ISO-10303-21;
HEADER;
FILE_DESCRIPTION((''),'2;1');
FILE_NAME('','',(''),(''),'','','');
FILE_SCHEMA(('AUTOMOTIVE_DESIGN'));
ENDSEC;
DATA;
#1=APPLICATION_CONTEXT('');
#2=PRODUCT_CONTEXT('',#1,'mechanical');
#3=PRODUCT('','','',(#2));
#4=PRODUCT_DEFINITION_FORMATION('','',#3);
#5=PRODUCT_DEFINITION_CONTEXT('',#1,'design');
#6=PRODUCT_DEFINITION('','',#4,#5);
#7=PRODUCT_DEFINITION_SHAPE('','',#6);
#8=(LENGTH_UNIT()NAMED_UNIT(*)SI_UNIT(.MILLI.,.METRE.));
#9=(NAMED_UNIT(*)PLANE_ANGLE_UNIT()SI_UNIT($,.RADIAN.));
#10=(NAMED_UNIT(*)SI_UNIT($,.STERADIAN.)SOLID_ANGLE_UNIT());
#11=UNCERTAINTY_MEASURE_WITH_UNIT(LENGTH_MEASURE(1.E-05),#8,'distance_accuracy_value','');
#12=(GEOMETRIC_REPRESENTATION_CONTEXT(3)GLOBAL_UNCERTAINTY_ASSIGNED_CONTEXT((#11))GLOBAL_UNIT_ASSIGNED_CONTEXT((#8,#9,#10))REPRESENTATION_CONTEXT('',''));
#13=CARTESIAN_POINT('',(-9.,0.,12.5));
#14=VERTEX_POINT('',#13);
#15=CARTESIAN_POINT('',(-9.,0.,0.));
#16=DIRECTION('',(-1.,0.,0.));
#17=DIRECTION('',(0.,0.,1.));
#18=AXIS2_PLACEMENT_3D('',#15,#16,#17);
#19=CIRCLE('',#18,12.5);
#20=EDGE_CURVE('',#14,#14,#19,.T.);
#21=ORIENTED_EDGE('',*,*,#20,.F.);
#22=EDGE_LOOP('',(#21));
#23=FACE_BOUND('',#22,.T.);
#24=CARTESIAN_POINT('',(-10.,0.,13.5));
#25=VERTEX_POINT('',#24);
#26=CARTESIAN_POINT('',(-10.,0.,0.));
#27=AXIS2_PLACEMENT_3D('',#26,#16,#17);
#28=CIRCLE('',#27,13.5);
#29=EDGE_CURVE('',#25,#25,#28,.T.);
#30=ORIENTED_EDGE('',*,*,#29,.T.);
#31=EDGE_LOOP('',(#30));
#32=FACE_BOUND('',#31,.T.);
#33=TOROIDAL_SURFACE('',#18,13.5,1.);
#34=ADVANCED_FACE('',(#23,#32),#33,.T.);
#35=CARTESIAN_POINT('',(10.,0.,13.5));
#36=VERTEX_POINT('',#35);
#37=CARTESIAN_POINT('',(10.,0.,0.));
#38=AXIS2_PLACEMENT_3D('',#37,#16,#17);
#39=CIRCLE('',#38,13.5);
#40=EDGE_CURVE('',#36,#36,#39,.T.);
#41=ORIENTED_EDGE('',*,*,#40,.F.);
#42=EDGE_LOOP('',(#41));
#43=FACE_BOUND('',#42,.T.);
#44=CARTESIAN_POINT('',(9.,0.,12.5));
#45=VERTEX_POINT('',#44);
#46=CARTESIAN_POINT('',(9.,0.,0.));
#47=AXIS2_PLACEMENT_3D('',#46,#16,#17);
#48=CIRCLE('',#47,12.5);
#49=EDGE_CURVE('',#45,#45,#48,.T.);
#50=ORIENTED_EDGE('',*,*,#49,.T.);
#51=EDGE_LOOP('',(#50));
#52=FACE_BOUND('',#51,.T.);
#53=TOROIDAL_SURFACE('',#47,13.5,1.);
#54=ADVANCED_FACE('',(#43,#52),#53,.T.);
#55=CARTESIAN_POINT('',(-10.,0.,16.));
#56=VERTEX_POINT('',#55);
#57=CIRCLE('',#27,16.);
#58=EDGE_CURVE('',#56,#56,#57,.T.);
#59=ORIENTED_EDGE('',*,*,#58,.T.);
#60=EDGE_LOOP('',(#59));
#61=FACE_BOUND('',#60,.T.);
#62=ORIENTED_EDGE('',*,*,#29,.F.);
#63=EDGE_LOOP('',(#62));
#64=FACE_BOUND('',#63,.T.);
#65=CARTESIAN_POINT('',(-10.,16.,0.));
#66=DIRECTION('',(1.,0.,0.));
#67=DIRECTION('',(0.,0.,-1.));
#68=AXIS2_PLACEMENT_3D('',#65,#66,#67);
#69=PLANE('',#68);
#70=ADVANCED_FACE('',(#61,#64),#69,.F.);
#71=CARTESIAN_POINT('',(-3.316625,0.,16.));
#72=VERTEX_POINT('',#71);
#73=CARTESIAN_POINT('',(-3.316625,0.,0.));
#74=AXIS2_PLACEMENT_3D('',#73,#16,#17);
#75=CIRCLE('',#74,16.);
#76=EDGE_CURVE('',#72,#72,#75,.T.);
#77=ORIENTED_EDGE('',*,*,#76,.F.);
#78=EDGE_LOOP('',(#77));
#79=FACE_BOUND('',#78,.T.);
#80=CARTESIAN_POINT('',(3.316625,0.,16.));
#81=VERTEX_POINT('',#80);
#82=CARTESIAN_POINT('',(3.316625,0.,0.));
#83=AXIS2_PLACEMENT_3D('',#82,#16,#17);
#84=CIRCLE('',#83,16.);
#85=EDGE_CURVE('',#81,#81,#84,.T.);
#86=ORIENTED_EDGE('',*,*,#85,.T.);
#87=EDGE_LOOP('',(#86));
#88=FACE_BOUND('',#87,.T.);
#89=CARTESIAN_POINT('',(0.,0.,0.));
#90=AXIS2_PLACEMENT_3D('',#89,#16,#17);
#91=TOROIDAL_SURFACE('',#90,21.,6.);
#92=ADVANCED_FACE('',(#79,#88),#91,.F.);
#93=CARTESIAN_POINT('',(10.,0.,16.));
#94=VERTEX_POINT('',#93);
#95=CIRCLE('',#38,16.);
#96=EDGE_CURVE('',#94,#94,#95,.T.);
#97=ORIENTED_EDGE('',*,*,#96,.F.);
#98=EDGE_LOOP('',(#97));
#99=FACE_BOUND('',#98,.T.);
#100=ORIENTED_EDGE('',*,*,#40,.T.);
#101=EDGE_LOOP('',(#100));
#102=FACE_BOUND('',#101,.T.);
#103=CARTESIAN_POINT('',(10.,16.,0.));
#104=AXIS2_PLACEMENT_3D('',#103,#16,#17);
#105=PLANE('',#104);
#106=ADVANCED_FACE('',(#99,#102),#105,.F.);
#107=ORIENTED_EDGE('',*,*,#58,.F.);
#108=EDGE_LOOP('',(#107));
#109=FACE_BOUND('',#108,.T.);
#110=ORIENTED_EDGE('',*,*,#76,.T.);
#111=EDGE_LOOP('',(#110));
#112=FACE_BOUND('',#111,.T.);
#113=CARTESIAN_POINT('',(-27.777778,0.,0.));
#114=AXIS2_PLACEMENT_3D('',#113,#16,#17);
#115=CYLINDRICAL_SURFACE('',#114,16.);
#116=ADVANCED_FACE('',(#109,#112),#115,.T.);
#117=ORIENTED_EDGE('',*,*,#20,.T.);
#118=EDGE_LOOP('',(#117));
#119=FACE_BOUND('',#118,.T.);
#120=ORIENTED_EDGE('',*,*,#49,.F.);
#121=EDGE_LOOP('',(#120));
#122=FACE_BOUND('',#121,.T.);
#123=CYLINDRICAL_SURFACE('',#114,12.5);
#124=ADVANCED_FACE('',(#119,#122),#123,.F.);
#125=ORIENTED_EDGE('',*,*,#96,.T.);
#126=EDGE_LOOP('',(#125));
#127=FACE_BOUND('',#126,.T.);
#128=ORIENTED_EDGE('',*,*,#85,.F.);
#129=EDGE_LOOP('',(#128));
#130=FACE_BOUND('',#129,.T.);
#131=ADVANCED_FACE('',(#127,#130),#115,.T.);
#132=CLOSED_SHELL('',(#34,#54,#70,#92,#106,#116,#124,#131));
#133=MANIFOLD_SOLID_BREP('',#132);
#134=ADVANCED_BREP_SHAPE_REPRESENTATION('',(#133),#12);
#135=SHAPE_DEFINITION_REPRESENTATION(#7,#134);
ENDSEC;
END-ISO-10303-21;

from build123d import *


with BuildPart() as part:
    # Sketch1 → Revolve1 (revolve)
    with BuildSketch(Plane.XY, mode=Mode.PRIVATE) as revolve1_sk:
        with BuildLine():
            Line((10, 16), (3.31662479, 16))
            ThreePointArc((3.31662479, 16), (0, 15), (-3.31662479, 16))
            Line((-3.31662479, 16), (-10, 16))
            Line((-10, 16), (-10, 13.5))
            ThreePointArc((-10, 13.5), (-9.707106781, 12.792893219), (-9, 12.5))
            Line((-9, 12.5), (9, 12.5))
            ThreePointArc((9, 12.5), (9.707106781, 12.792893219), (10, 13.5))
            Line((10, 13.5), (10, 16))
        make_face()
    revolve(revolve1_sk.sketch.rotate(Axis((-27.777777778, 0, 0), (1, 0, 0)), 90), axis=Axis((-27.777777778, 0, 0), (1, 0, 0)))


solid = part.part
